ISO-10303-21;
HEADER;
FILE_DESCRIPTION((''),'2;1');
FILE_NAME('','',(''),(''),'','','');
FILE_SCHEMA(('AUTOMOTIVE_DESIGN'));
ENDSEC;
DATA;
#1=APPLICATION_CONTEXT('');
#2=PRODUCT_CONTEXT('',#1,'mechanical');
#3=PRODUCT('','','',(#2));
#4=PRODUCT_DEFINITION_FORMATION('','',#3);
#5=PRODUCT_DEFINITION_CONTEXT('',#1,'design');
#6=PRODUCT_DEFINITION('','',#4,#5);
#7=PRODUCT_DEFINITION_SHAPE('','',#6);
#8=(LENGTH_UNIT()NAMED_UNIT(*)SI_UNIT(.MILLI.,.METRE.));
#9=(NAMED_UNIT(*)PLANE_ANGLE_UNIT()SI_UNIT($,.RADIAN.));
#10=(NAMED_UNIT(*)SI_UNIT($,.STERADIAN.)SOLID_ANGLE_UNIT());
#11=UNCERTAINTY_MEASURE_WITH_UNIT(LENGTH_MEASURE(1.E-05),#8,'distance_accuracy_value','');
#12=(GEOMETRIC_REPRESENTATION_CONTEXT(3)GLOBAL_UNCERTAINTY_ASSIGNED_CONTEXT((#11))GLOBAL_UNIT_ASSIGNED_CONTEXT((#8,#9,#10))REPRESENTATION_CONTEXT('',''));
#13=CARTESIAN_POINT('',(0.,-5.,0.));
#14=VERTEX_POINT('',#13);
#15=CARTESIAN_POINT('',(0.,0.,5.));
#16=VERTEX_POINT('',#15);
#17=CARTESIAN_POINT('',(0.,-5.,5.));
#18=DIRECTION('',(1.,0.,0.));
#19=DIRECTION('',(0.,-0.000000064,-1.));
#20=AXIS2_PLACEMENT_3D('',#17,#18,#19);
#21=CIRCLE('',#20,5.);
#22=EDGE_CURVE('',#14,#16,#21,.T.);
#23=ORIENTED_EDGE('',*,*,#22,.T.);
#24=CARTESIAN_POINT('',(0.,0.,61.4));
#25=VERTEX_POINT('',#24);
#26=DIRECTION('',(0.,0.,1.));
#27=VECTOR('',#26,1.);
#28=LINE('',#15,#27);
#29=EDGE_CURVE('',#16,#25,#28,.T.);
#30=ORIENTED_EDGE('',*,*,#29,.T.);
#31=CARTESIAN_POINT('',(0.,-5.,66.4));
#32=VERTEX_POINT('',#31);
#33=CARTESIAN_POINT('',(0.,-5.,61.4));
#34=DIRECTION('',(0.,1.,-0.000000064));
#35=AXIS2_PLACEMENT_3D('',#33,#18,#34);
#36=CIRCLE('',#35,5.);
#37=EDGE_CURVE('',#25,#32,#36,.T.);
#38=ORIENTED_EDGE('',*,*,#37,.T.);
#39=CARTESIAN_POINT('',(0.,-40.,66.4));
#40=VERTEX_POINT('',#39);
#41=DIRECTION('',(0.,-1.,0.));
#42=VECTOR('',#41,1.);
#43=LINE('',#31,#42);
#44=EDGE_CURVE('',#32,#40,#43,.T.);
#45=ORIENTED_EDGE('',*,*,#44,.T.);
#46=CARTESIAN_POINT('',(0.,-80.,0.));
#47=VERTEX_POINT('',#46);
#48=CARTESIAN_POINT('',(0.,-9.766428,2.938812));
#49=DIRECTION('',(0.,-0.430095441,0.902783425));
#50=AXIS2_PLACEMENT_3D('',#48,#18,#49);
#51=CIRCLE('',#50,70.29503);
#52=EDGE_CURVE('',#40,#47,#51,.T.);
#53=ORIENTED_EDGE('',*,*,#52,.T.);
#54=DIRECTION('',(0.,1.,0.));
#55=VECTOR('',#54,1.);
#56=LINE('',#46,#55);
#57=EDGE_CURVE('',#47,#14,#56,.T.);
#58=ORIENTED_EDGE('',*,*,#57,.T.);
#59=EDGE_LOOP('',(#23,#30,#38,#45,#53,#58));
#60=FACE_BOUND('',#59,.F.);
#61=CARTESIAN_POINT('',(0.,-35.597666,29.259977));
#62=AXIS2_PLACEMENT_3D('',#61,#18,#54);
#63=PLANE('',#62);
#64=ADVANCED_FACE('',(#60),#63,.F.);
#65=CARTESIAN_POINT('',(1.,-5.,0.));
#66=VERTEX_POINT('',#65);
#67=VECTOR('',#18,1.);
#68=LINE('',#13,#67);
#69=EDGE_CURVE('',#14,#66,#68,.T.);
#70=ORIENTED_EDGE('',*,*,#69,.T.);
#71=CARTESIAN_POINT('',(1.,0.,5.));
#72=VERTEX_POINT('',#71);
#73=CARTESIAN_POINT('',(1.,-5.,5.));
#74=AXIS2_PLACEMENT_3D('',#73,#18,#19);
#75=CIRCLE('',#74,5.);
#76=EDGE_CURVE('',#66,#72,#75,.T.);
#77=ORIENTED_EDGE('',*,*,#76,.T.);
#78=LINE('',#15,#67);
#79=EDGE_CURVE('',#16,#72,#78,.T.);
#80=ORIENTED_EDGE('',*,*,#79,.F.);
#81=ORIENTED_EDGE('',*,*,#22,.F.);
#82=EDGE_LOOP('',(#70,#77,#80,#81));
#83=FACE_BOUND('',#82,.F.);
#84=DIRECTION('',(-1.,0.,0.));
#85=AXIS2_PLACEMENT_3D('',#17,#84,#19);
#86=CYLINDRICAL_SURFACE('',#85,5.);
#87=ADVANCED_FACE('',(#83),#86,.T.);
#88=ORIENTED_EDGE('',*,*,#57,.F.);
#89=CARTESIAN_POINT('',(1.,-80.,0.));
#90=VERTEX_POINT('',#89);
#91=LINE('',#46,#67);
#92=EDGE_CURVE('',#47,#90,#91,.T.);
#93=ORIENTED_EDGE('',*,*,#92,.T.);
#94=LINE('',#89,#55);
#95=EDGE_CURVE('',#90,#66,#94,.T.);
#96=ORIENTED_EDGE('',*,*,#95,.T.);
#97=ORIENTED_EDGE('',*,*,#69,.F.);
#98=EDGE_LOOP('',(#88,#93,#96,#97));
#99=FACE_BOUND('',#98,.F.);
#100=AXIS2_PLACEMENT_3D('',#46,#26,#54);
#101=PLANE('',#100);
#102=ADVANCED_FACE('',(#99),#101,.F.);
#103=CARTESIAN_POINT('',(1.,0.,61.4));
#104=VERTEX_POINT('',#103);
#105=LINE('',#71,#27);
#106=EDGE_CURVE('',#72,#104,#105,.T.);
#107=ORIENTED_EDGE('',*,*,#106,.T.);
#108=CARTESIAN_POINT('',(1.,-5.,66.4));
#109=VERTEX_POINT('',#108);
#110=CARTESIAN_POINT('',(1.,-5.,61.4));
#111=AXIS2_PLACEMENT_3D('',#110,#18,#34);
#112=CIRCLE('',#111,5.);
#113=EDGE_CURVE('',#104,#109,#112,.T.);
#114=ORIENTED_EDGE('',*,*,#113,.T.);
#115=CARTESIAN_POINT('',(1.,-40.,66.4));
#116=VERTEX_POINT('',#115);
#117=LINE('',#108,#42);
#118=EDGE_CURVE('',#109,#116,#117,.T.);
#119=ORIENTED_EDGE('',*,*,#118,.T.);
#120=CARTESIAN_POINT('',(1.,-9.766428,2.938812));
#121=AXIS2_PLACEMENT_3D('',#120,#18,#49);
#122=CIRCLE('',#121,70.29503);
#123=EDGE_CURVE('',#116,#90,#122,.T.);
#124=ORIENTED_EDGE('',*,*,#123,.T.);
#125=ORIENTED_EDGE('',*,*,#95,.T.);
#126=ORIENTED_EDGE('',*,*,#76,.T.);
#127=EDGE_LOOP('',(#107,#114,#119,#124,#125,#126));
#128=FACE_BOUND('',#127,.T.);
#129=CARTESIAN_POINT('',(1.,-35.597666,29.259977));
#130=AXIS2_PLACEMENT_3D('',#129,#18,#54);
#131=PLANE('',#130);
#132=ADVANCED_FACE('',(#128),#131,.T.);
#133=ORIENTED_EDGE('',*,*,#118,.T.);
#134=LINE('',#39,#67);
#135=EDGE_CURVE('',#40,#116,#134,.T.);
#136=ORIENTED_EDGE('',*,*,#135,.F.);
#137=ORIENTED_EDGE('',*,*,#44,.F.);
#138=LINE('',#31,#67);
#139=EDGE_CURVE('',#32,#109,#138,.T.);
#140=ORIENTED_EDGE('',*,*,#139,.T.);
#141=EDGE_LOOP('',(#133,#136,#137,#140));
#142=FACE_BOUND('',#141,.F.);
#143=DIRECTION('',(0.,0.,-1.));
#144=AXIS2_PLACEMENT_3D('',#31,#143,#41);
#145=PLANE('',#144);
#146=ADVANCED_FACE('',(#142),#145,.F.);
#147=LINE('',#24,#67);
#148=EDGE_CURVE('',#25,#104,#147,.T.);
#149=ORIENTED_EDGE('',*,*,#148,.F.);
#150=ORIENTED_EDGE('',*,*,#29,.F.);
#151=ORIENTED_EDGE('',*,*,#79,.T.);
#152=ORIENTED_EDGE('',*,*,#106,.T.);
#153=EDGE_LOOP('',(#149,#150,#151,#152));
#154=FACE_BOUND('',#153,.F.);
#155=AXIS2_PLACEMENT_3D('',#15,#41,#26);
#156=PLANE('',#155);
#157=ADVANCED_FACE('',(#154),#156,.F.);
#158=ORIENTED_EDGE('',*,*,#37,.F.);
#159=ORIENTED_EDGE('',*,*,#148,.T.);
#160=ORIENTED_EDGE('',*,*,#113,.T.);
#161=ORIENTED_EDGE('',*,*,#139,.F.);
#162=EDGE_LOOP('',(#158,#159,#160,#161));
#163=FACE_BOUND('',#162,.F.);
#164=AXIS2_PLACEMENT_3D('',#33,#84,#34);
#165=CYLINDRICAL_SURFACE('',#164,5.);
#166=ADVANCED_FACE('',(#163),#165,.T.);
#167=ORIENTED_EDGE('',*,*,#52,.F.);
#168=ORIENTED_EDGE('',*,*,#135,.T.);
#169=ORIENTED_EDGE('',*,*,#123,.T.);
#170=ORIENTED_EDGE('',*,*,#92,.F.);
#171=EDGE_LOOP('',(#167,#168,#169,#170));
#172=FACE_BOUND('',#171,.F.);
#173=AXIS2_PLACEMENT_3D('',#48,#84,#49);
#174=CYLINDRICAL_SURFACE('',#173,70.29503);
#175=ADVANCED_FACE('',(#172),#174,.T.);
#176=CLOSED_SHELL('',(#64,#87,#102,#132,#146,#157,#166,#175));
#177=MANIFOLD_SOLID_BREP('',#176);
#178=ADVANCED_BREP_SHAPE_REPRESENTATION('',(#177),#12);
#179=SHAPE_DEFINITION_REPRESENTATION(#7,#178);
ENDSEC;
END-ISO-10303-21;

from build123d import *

# Parameters (mm, degrees)
F1_DEPTH = 1


with BuildPart() as f1:
    # F0 (on Right) → F1 (new body)
    with BuildSketch(Plane.YZ):
        with BuildLine():
            Line((-80, 0), (-5, 0))
            ThreePointArc((-5, 0), (-1.464466, 1.464466), (0, 5))
            Line((0, 5), (0, 61.4))
            ThreePointArc((0, 61.4), (-1.464466, 64.935534), (-5, 66.4))
            Line((-5, 66.4), (-40, 66.4))
            ThreePointArc((-40, 66.4), (-69.979813, 39.211936), (-80, 0))
        make_face()
    extrude(amount=F1_DEPTH)


solid = f1.part
